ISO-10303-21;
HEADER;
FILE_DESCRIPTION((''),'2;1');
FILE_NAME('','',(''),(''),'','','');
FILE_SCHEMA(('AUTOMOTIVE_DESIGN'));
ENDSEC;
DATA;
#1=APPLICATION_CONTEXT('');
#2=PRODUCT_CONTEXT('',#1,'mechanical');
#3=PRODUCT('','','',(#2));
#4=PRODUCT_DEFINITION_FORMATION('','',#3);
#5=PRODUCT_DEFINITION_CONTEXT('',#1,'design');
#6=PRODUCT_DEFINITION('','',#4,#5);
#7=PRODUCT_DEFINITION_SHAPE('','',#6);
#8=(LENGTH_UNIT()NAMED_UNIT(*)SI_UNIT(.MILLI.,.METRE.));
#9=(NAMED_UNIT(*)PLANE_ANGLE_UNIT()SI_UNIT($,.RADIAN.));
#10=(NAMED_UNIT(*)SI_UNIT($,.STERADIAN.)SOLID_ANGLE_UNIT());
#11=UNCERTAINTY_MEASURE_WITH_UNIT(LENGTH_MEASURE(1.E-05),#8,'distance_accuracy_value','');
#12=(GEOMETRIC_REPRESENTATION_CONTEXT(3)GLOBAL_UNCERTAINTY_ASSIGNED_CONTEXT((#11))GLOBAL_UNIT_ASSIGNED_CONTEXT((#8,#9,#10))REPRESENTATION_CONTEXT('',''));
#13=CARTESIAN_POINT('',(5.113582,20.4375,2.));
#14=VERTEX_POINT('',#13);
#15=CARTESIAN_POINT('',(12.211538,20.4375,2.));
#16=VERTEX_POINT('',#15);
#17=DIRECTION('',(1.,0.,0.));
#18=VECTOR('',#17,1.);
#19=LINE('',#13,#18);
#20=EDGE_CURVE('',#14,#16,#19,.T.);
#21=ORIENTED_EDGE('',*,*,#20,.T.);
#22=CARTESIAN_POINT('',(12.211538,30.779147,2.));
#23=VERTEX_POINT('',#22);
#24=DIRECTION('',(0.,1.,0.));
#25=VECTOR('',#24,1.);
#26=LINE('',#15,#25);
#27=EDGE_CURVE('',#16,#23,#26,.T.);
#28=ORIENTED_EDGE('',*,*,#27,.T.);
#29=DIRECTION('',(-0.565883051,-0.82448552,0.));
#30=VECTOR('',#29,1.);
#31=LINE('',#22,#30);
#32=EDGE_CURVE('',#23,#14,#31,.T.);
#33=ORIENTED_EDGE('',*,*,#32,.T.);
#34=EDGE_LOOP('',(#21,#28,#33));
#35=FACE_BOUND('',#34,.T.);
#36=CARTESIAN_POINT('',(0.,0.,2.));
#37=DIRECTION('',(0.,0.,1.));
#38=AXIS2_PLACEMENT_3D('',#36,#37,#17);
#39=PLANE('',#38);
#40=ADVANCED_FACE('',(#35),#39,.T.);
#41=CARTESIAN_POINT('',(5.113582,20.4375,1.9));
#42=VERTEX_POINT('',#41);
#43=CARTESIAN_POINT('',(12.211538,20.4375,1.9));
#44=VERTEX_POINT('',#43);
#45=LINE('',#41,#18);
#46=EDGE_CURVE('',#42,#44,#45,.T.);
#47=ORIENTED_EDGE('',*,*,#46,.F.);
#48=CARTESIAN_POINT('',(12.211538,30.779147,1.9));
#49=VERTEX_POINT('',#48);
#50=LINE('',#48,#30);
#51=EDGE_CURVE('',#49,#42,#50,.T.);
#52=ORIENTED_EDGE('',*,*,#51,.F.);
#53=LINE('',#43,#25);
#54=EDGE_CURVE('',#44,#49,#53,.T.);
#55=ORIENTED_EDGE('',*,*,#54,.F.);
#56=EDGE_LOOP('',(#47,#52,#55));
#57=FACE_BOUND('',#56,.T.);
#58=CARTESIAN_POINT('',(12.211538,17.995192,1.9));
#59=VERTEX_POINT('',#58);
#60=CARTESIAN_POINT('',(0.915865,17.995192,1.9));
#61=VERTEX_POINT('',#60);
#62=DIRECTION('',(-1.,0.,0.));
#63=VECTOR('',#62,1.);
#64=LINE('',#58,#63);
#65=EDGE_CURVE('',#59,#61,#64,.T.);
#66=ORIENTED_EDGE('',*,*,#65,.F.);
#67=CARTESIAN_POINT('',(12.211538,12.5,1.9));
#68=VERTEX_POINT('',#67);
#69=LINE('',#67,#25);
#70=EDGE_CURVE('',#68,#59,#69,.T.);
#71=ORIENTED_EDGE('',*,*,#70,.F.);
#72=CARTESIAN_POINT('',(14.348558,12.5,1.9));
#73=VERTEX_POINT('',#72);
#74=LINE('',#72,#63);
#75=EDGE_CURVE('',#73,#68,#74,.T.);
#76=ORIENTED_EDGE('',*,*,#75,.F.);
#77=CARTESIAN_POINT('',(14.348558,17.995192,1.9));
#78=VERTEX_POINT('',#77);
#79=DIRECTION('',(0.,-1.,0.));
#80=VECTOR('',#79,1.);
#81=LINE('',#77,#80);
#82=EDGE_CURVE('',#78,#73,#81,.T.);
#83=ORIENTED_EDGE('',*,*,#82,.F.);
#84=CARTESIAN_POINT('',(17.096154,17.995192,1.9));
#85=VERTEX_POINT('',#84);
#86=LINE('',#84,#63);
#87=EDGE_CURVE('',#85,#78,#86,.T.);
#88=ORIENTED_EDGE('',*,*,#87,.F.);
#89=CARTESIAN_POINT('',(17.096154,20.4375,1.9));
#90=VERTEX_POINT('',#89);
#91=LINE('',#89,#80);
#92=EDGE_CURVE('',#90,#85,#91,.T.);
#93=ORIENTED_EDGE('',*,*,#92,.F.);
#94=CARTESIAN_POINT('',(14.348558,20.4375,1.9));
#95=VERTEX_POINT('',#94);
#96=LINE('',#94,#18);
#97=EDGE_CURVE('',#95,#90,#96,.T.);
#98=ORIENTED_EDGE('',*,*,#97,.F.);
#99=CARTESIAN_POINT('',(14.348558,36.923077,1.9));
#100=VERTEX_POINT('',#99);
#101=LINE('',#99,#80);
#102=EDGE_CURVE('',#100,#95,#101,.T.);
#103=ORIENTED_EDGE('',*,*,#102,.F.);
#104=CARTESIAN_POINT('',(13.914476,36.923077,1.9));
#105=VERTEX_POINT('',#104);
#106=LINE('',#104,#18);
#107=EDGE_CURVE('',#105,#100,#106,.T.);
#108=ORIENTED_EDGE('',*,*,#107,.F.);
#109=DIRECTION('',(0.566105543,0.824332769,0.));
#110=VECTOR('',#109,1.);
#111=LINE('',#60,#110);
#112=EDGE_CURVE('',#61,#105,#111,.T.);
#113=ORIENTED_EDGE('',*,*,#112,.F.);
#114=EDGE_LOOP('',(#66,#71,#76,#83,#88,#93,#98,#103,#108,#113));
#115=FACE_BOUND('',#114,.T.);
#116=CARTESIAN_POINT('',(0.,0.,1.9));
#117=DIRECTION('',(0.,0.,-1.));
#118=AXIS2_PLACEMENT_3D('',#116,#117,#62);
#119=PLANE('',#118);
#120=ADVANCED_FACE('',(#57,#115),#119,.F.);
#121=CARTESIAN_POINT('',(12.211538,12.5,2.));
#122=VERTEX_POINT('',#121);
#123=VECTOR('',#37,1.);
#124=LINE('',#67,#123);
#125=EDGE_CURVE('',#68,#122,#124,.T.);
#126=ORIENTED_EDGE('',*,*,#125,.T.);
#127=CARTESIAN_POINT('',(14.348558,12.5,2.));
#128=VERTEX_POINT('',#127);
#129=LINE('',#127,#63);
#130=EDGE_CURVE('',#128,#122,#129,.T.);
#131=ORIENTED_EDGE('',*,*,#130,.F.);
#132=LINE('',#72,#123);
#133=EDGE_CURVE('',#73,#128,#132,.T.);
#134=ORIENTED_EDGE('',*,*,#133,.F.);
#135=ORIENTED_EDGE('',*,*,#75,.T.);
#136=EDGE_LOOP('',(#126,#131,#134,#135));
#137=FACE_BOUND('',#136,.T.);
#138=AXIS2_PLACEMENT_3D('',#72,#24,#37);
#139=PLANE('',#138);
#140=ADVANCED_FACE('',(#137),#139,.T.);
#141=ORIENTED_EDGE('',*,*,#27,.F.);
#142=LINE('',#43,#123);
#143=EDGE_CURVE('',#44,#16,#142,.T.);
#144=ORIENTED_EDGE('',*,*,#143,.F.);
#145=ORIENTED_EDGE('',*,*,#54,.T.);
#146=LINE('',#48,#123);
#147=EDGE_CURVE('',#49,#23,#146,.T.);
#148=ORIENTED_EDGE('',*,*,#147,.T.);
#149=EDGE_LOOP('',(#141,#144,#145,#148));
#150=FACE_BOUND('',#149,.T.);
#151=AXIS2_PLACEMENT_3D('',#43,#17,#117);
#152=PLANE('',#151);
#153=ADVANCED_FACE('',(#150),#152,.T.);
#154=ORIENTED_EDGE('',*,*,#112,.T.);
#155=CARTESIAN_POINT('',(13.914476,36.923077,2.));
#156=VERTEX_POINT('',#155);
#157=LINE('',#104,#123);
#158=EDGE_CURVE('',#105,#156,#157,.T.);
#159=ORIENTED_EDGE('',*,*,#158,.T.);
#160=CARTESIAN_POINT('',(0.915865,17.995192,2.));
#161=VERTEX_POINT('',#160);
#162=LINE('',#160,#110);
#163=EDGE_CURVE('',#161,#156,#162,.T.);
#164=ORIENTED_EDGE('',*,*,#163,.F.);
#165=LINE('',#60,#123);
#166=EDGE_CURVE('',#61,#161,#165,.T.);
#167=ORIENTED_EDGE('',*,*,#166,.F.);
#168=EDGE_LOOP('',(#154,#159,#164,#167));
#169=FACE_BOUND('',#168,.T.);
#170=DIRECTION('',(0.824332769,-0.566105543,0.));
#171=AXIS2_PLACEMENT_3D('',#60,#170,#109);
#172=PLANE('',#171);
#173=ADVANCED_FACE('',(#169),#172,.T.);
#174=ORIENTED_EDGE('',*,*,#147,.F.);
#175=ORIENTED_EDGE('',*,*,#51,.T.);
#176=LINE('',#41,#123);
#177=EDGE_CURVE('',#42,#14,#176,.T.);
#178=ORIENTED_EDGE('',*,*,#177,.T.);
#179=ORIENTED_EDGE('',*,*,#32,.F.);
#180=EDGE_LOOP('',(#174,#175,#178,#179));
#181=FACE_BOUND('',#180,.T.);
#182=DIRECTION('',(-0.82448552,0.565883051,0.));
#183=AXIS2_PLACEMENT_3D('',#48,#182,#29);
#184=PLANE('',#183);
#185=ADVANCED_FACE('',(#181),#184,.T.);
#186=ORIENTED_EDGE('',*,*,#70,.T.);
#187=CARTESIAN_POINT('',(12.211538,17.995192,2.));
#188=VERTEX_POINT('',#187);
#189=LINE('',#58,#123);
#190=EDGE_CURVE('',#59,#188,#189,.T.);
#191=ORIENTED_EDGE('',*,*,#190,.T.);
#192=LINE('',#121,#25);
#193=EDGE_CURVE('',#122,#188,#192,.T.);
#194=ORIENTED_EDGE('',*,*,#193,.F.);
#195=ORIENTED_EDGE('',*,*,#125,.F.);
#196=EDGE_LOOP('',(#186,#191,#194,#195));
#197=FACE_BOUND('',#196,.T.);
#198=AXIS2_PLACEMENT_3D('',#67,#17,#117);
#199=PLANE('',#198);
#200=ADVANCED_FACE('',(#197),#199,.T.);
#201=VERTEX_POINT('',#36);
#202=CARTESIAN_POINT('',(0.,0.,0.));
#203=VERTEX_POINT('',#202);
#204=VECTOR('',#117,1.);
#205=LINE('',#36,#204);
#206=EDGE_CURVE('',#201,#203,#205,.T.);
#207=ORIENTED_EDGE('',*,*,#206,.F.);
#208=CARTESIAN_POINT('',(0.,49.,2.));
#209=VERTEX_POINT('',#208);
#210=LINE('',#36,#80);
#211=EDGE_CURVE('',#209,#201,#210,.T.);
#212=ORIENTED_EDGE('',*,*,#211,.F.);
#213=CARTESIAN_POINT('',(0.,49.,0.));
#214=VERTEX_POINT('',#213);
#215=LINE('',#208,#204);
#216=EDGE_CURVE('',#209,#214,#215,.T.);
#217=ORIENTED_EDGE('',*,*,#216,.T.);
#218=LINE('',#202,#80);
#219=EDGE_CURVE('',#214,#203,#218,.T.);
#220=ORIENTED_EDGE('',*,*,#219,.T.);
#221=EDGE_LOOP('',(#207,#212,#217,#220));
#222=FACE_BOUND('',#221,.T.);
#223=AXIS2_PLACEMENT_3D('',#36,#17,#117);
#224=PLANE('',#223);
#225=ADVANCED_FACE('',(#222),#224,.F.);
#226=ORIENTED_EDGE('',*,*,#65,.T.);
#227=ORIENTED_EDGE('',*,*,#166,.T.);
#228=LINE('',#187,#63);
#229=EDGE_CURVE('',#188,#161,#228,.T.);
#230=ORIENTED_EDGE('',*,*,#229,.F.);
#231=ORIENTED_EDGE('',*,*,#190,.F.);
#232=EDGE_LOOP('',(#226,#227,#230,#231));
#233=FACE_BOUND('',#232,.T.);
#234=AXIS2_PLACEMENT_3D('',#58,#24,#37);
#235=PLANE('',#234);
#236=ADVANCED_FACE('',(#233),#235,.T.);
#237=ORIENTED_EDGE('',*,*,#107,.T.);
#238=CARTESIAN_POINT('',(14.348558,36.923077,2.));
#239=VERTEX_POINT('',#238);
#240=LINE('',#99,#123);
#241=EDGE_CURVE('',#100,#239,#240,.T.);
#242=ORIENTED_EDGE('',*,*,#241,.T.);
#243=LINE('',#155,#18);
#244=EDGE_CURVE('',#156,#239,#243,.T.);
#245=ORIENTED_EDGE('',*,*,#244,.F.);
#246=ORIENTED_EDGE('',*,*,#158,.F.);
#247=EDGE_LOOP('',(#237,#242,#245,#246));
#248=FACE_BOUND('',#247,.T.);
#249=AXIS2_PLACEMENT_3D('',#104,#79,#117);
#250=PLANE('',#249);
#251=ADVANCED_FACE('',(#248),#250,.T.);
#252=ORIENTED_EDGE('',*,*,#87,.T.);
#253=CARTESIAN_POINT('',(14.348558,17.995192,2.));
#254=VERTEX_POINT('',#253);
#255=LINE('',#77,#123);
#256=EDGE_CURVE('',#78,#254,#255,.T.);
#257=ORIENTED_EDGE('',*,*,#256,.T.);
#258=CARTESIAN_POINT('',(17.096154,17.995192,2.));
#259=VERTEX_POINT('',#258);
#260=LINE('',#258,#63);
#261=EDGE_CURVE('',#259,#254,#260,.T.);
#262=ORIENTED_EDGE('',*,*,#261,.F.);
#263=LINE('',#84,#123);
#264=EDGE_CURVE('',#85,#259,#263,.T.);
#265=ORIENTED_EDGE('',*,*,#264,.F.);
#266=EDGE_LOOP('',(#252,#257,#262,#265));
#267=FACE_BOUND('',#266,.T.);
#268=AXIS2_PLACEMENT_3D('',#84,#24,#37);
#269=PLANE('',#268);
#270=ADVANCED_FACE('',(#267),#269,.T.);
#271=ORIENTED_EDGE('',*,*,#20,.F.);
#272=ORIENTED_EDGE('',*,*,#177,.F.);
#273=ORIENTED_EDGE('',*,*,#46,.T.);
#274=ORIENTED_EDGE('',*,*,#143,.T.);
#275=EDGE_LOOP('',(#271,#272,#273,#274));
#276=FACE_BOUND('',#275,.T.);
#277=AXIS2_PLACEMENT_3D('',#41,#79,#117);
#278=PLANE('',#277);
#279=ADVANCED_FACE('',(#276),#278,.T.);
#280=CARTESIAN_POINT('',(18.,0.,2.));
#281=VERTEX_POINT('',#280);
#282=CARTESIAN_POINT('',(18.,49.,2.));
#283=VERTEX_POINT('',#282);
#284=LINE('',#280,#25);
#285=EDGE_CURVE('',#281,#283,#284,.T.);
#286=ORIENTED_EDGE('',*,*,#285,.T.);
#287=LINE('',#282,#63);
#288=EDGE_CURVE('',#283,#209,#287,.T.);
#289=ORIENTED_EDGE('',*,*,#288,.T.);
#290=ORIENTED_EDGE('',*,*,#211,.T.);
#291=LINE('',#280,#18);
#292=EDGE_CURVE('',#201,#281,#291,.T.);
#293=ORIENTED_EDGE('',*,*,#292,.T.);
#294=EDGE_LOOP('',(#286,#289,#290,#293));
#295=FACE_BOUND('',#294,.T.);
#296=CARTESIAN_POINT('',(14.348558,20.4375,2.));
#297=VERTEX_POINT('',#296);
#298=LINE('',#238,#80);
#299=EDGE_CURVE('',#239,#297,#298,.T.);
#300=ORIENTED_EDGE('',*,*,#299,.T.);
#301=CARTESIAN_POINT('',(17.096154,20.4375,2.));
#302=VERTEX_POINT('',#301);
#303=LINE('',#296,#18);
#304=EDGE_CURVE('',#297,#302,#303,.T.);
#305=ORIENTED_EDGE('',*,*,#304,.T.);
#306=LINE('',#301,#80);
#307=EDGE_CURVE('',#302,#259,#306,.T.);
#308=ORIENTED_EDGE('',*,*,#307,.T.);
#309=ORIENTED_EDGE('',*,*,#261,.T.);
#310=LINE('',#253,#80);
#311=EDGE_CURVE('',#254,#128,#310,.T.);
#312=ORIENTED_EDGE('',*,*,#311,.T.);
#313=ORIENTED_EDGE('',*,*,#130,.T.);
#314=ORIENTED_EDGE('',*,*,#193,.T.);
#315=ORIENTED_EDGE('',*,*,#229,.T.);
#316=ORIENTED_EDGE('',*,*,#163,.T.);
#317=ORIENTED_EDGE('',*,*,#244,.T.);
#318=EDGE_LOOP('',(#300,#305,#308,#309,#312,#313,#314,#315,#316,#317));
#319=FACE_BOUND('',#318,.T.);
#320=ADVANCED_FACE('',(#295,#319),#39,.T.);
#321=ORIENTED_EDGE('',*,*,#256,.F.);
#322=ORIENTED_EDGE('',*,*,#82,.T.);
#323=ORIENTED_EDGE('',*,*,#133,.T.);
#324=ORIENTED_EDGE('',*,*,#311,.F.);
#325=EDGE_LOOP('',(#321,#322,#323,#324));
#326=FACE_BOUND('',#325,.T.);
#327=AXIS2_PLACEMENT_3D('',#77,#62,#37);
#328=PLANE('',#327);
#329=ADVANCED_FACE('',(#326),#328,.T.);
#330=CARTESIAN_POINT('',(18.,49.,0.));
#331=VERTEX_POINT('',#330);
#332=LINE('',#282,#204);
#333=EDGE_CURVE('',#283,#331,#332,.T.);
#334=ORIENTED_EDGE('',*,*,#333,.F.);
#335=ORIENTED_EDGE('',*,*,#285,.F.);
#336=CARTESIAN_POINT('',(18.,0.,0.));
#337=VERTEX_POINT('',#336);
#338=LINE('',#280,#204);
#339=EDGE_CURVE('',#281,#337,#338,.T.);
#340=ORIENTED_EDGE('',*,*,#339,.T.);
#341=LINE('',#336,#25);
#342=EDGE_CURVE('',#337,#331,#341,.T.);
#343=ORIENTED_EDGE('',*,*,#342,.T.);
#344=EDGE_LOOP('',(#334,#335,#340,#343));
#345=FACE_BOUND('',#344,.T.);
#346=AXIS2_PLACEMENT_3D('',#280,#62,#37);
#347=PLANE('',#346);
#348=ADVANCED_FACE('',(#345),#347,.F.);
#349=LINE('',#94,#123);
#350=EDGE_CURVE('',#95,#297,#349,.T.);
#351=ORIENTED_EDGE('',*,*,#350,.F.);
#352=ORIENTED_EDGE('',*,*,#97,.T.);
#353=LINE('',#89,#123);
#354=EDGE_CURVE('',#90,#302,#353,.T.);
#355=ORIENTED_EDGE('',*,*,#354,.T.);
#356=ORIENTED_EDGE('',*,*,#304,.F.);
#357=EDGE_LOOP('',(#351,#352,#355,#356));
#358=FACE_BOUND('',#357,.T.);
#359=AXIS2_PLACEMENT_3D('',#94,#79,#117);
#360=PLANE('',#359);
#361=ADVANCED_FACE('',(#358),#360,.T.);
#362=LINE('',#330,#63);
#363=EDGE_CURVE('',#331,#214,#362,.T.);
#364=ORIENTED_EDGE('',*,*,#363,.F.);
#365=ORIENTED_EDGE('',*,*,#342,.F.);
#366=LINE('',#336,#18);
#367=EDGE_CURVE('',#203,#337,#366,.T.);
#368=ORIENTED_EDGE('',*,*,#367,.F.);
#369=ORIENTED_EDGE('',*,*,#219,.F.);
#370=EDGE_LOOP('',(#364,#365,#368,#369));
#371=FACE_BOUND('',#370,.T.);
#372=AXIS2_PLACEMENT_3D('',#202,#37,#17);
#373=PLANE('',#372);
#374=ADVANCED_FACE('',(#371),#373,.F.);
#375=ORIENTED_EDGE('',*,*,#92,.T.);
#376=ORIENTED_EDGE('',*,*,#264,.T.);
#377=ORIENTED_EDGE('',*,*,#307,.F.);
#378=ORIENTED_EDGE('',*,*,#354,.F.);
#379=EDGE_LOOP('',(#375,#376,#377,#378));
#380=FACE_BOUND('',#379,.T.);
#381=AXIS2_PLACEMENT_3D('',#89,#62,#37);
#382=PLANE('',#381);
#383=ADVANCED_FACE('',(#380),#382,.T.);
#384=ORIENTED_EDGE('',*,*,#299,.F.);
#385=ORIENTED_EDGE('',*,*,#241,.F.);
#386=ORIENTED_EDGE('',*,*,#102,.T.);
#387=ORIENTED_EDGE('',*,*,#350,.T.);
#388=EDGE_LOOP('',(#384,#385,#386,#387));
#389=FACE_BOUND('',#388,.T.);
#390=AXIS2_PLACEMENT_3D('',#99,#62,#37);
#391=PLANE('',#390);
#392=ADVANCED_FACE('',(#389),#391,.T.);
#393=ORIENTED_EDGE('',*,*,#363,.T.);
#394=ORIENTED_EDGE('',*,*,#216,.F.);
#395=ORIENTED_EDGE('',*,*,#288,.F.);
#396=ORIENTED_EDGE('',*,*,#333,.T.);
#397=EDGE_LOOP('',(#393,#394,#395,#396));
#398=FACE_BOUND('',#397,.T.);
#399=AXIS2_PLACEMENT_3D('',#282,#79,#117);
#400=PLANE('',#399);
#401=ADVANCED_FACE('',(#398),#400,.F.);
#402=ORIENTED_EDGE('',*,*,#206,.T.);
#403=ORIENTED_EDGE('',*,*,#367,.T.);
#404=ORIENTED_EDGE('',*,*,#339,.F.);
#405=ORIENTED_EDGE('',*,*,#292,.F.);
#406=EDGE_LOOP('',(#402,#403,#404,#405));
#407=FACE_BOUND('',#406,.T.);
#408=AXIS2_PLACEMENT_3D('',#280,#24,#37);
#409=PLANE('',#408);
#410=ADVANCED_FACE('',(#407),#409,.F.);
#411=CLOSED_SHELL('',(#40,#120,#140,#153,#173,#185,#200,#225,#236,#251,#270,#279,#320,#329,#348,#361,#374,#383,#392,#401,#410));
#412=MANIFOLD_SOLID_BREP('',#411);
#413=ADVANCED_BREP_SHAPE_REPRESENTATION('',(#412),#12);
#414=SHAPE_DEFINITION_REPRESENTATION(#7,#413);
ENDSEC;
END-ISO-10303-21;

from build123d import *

# Parameters (mm, degrees)
SKETCH_1_W          = 18
SKETCH_1_H          = 49
EXTRUDE_1_DEPTH     = 2
CUT_EXTRUDE_1_DEPTH = 0.1


with BuildPart() as part:
    # ｽｹｯﾁ1 → ﾎﾞｽ - 押し出し1 (new body)
    with BuildSketch(Plane.XY):
        with Locations((9, 24.5)):
            Rectangle(SKETCH_1_W, SKETCH_1_H)
    extrude(amount=EXTRUDE_1_DEPTH)

    # ｽｹｯﾁ2 → ｶｯﾄ - 押し出し1 (cut)
    with BuildSketch(Plane.XY.offset(2)):
        Polygon((13.914475661, 36.923076923), (14.348557692, 36.923076923), (14.348557692, 20.4375), (17.096153846, 20.4375), (17.096153846, 17.995192308), (14.348557692, 17.995192308), (14.348557692, 12.5), (12.211538462, 12.5), (12.211538462, 17.995192308), (0.915865385, 17.995192308), align=None)
        Polygon((12.211538462, 20.4375), (12.211538462, 30.779146635), (5.113581731, 20.4375), align=None, mode=Mode.SUBTRACT)
    extrude(amount=-CUT_EXTRUDE_1_DEPTH, mode=Mode.SUBTRACT)


solid = part.part
